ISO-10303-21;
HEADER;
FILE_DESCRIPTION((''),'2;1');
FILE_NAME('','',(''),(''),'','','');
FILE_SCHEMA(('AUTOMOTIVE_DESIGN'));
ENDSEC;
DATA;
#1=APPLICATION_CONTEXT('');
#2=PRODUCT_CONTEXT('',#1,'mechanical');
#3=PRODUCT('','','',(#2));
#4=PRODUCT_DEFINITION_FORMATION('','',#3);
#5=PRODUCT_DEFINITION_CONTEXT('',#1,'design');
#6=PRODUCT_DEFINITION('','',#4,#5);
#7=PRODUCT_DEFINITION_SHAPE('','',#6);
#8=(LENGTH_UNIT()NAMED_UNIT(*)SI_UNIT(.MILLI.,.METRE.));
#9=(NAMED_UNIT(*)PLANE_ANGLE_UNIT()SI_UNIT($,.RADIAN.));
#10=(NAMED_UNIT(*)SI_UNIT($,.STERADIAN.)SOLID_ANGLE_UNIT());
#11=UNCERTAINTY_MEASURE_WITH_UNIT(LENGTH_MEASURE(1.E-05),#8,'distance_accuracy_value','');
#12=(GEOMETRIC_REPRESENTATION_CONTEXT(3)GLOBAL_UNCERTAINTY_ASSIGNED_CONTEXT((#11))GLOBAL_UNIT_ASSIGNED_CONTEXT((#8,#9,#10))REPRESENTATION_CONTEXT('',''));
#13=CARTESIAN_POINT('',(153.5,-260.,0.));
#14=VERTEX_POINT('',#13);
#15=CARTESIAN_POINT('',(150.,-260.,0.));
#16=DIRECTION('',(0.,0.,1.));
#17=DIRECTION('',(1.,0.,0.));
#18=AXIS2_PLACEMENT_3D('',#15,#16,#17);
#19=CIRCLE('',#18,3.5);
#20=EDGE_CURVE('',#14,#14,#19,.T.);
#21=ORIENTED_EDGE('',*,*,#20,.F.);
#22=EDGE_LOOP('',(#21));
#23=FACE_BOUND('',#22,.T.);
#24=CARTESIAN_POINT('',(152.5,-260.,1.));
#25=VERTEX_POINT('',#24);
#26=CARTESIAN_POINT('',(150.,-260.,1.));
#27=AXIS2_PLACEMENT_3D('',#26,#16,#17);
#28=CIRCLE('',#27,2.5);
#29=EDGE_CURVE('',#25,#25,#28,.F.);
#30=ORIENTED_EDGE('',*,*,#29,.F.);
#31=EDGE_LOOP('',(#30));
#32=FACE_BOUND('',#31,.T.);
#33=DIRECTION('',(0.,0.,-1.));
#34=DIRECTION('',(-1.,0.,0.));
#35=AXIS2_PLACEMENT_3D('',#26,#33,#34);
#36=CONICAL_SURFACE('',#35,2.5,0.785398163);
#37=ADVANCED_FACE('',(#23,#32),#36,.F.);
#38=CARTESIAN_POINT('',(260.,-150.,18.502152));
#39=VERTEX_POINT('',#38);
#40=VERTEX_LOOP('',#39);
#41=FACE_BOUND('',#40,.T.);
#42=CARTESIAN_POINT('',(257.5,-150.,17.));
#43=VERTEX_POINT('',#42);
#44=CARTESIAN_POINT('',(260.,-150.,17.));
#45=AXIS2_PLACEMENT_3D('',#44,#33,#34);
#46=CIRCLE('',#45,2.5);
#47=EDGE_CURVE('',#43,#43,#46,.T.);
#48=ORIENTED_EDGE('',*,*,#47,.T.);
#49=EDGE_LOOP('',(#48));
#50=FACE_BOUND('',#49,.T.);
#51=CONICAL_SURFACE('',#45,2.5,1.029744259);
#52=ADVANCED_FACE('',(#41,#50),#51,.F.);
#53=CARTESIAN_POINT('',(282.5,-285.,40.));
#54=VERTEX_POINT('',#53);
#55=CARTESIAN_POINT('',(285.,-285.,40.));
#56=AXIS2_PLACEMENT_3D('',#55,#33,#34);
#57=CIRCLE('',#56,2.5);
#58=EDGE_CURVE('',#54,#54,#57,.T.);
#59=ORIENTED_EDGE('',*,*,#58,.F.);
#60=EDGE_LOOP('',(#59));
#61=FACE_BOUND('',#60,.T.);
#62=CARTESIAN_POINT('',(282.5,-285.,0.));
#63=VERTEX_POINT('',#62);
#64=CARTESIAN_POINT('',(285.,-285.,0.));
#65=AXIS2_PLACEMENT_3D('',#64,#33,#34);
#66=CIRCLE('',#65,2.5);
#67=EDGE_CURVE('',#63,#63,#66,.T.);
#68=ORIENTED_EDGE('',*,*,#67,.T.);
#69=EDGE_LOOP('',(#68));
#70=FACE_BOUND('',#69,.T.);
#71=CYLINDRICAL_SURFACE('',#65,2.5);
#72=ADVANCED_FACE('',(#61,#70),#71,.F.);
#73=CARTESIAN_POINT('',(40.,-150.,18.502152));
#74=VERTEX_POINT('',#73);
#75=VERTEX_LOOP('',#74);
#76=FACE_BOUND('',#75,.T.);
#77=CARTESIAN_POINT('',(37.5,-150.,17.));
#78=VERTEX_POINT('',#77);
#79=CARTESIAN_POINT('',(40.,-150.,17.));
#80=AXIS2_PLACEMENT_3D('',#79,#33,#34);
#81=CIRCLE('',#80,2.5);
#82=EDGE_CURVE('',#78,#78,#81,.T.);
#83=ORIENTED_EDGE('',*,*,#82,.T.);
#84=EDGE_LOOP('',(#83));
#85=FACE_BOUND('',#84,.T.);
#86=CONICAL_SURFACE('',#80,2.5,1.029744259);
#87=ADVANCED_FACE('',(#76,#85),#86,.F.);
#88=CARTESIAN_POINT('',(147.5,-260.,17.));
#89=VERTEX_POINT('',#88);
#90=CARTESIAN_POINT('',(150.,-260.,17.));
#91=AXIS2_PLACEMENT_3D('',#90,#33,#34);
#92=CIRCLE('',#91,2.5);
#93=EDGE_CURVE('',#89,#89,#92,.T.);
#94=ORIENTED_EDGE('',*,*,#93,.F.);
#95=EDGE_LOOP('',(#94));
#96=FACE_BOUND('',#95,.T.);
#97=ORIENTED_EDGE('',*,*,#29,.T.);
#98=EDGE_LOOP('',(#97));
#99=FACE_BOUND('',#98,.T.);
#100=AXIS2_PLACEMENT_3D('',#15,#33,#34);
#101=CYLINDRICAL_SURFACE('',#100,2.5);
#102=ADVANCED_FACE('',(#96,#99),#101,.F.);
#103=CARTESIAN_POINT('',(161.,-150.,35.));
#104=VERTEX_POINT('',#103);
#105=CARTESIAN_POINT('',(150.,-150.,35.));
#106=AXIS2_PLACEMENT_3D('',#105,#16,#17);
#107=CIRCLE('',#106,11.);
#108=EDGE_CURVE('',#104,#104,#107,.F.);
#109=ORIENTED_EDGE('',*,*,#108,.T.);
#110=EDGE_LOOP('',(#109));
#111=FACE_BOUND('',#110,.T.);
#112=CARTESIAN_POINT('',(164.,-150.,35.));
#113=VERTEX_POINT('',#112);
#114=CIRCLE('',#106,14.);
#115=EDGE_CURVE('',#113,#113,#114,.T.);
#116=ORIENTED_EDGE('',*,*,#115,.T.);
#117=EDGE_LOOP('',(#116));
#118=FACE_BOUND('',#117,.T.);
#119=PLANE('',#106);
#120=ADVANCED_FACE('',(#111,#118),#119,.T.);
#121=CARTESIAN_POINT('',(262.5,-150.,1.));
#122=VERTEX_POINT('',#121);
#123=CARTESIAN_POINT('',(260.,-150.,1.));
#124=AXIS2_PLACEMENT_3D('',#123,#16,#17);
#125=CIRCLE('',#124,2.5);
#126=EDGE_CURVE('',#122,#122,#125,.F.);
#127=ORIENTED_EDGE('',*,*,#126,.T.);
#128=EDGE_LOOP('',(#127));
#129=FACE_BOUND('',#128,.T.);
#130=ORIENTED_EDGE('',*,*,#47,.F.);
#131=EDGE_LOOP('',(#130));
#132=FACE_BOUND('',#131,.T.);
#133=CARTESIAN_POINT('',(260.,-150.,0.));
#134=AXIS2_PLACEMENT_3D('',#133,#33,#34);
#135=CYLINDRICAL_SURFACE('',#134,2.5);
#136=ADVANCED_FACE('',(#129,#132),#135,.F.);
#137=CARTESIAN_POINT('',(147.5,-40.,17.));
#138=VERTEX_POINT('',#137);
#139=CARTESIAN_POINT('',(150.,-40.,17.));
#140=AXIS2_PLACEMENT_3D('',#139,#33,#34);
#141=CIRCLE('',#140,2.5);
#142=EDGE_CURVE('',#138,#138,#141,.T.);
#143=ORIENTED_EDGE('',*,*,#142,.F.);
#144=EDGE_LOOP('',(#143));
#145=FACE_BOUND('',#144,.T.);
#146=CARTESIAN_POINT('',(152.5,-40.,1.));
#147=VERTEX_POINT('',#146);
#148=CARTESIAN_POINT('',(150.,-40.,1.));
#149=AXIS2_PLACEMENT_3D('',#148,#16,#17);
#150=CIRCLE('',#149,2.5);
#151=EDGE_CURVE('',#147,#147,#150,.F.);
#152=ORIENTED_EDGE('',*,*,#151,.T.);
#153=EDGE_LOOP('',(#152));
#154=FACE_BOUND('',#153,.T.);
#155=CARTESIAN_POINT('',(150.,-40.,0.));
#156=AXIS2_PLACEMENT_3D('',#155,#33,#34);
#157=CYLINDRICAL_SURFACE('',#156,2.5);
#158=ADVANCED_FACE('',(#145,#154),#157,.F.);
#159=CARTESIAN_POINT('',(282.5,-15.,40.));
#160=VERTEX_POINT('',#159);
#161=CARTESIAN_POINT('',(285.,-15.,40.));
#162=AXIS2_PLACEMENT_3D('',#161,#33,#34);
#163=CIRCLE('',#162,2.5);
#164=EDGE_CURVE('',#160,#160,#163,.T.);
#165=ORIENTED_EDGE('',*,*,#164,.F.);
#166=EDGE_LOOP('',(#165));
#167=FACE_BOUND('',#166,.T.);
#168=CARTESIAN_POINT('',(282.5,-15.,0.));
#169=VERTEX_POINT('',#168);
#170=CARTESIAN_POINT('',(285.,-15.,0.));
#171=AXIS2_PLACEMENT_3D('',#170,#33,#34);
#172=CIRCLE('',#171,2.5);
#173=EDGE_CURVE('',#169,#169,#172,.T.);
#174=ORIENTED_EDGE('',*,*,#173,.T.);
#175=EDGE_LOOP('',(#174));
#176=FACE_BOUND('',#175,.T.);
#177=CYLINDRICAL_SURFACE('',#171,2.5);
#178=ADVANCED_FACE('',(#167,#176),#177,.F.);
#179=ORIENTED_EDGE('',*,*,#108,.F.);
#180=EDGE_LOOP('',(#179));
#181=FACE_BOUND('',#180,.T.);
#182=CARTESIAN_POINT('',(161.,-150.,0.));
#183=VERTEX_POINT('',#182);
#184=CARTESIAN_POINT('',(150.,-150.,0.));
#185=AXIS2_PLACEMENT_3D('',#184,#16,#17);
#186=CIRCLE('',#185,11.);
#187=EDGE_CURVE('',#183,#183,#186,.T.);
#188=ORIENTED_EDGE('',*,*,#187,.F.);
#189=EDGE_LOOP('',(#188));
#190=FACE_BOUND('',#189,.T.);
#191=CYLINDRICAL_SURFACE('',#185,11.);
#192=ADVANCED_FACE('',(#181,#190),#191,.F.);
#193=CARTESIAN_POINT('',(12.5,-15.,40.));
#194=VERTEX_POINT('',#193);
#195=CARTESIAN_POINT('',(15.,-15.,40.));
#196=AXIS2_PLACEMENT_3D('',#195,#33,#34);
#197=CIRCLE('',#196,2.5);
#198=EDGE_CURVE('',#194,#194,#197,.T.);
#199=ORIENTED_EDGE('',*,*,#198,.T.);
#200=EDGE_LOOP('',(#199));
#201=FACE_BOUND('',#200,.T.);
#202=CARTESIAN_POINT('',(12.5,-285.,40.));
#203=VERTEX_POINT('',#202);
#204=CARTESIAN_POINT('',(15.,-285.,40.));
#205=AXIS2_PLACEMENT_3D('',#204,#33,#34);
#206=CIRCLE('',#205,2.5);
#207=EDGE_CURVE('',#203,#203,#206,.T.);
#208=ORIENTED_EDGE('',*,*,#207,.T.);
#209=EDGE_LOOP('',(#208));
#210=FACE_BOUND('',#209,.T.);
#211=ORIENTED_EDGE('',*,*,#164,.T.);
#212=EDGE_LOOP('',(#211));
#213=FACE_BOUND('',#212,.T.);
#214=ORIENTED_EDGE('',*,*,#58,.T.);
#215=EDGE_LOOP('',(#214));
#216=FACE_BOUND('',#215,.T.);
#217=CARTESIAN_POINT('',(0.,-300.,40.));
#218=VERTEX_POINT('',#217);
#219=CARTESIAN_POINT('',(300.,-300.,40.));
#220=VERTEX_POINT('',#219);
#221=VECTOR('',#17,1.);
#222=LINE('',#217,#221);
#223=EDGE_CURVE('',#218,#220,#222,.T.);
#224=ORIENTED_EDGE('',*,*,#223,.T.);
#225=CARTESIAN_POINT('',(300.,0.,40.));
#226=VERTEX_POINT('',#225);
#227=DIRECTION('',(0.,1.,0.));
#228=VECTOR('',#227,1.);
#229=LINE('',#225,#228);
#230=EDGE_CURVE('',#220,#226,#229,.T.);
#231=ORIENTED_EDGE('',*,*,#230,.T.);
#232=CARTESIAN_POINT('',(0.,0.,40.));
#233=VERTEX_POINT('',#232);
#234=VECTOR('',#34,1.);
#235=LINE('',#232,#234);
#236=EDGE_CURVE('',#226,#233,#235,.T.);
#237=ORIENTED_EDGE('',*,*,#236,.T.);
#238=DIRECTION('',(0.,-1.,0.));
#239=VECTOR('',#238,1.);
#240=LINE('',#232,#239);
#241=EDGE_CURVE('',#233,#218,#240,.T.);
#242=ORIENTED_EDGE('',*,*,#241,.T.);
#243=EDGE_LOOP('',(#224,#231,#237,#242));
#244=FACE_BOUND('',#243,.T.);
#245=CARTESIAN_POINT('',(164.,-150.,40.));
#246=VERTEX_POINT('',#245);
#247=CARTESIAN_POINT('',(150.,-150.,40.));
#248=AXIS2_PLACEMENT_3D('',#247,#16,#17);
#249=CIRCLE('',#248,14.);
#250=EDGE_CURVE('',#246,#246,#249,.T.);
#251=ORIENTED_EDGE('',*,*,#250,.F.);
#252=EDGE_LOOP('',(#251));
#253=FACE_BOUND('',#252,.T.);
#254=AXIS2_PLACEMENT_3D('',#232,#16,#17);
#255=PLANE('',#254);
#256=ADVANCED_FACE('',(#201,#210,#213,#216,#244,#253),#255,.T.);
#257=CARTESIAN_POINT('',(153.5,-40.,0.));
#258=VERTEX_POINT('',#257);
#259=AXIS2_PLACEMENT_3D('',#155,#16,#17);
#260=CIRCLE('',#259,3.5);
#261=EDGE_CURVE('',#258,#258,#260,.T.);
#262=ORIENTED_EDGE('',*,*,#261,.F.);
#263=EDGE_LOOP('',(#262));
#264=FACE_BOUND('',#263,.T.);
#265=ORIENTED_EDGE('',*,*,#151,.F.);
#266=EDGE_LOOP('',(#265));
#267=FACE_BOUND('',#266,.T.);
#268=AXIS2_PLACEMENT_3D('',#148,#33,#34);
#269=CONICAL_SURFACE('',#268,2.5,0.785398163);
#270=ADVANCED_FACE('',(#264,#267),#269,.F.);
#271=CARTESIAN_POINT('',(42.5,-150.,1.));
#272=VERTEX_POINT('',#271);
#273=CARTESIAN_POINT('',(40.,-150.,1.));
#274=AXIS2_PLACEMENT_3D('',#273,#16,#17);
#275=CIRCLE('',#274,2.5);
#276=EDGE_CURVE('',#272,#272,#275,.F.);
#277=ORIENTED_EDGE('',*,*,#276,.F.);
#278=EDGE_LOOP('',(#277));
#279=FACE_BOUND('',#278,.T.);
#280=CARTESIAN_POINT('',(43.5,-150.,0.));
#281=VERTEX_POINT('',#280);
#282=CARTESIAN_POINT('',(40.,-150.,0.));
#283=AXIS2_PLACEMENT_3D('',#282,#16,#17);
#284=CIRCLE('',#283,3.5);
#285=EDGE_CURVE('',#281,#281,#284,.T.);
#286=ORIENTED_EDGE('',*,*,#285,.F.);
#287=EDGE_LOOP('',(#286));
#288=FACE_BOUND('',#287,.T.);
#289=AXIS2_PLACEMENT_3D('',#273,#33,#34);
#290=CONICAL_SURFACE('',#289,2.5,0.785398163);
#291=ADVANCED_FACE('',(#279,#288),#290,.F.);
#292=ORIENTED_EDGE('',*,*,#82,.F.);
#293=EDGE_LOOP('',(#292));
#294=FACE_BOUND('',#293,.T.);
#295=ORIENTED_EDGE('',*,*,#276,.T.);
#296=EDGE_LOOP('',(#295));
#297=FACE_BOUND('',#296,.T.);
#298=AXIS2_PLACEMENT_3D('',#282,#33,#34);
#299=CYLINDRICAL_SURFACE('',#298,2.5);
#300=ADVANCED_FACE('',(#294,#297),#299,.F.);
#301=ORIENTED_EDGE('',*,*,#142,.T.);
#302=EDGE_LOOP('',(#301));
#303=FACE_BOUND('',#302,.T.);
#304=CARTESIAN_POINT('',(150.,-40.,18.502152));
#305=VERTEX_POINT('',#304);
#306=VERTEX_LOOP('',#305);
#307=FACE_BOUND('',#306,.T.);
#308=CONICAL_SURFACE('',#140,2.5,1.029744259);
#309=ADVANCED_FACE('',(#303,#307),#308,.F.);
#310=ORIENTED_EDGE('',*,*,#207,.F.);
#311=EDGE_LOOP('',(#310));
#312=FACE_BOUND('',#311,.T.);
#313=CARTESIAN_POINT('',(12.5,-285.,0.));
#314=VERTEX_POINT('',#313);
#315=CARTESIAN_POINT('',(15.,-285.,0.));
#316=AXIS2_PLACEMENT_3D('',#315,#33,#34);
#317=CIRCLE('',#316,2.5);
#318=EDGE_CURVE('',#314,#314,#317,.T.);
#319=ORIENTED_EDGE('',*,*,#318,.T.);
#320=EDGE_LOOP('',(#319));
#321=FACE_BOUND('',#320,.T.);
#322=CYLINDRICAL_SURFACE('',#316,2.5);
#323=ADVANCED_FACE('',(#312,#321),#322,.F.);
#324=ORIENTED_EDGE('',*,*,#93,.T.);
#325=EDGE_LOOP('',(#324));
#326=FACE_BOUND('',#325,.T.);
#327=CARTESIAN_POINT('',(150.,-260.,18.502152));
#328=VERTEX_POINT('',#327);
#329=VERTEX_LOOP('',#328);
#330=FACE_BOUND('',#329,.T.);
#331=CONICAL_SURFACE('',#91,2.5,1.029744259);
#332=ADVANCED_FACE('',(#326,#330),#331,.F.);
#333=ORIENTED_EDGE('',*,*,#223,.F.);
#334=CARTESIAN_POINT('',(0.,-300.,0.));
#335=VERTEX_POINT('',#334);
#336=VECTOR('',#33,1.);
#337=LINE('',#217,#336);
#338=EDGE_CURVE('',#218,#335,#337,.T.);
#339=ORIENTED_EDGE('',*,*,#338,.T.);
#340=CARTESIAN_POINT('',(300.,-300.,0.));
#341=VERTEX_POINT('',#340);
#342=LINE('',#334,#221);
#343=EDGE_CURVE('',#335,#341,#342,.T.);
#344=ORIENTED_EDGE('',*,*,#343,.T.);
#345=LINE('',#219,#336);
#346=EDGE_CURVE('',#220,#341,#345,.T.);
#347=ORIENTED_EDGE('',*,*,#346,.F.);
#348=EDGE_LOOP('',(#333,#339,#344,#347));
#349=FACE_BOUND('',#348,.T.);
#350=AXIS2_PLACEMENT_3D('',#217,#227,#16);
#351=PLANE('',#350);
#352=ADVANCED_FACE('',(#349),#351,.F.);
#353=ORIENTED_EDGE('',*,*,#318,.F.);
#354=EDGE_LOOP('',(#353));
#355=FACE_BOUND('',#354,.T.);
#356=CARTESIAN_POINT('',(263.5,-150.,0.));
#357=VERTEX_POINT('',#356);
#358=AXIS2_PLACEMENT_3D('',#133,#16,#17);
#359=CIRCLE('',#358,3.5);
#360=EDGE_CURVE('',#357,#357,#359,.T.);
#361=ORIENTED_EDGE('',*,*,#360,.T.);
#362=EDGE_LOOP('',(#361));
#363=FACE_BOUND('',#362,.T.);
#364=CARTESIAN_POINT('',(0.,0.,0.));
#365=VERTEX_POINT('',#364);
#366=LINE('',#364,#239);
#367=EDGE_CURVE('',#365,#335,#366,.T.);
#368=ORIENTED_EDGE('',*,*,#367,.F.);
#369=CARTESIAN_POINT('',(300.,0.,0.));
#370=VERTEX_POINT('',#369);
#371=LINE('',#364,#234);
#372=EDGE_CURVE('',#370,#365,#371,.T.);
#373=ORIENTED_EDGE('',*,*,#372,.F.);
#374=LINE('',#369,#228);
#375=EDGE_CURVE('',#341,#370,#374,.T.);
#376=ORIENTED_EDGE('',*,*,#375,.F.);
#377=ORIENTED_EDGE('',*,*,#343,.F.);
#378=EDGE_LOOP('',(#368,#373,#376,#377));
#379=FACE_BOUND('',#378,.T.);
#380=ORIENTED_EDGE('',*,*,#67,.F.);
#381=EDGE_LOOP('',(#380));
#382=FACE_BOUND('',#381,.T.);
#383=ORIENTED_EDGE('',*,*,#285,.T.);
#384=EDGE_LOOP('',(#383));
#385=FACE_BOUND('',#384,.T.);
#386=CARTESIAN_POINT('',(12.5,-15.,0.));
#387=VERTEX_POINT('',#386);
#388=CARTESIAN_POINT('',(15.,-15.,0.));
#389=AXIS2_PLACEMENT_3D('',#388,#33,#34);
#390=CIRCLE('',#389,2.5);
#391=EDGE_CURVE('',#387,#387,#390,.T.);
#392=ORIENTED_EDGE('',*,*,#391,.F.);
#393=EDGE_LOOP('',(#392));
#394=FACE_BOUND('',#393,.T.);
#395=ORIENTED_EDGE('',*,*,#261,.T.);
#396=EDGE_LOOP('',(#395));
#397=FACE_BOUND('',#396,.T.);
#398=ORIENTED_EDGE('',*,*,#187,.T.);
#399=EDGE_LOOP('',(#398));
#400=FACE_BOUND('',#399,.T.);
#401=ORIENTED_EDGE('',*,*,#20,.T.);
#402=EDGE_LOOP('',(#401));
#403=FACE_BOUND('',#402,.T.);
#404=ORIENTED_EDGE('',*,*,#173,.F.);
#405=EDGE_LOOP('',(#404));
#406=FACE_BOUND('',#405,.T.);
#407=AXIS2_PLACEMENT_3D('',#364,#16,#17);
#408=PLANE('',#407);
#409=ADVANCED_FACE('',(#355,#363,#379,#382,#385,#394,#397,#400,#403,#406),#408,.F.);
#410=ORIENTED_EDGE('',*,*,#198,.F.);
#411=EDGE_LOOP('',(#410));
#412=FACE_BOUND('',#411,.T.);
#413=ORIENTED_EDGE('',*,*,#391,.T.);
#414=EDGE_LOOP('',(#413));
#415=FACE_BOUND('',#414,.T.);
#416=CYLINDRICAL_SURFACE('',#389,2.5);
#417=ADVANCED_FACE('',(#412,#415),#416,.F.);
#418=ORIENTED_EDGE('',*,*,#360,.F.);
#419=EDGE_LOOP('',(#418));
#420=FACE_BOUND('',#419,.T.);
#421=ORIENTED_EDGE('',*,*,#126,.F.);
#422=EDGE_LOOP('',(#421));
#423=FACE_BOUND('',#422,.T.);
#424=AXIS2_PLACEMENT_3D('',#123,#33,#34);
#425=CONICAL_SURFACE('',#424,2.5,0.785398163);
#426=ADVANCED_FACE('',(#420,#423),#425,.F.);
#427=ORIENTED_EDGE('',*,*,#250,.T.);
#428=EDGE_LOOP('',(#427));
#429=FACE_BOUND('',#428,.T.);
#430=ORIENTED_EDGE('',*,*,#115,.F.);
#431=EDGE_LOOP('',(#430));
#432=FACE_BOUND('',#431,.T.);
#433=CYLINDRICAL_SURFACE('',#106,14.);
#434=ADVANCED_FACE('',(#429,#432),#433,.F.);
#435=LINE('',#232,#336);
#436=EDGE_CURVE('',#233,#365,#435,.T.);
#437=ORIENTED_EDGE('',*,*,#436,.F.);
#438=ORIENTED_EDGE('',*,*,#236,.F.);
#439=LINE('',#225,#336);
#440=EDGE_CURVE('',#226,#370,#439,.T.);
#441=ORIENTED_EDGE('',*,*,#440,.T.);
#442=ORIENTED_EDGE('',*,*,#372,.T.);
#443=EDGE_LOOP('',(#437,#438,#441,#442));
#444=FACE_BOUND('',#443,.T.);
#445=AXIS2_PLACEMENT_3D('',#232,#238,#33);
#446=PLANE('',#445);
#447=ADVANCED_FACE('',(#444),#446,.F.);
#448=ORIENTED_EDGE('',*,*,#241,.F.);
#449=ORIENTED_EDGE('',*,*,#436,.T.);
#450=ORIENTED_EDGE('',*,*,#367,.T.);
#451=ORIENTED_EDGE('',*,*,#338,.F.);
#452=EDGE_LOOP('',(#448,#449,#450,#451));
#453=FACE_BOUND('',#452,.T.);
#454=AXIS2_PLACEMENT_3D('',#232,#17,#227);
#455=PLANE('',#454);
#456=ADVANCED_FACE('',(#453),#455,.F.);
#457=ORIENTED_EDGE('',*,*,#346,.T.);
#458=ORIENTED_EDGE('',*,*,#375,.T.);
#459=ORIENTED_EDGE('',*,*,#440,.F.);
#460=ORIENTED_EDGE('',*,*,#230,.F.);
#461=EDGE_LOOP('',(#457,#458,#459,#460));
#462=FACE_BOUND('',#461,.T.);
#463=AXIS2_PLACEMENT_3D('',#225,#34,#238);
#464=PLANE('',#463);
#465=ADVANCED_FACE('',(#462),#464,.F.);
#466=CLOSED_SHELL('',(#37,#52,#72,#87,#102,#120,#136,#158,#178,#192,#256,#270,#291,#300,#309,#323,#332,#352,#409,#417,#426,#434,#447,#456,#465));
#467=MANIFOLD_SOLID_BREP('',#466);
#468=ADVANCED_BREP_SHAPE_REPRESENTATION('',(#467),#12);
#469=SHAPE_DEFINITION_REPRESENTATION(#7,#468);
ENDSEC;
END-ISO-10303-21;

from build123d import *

# Parameters (mm, degrees)
SKETCH_1_W          = 300
SKETCH_1_H          = 300
EXTRUDE_1_DEPTH     = 40
SKETCH_2_R          = 11
CUT_EXTRUDE_1_DEPTH = 427.145515053
M6X1_0_1_D          = 5
M6X1_0_1_DEPTH      = 17
M6X1_0_1_TIP        = 1.502151548
M6X1_0_2_D          = 5
M6X1_0_2_DEPTH      = 17
M6X1_0_2_TIP        = 1.502151548
M6X1_0_3_D          = 5
M6X1_0_3_DEPTH      = 17
M6X1_0_3_TIP        = 1.502151548
M6X1_0_4_D          = 5
M6X1_0_4_DEPTH      = 17
M6X1_0_4_TIP        = 1.502151548
SKETCH_3_R          = 14
CUT_EXTRUDE_2_DEPTH = 5
CHAMFER_1_SIZE      = 1
CHAMFER_2_SIZE      = 1
CHAMFER_3_SIZE      = 1
CHAMFER_4_SIZE      = 1
M6X1_0_5_D          = 5


with BuildPart() as part:
    # ｽｹｯﾁ1 → ﾎﾞｽ - 押し出し1 (new body)
    with BuildSketch(Plane.XY):
        with Locations((150, -150)):
            Rectangle(SKETCH_1_W, SKETCH_1_H)
    extrude(amount=EXTRUDE_1_DEPTH)

    # ｽｹｯﾁ2 → ｶｯﾄ - 押し出し1 (cut, through all)
    with BuildSketch(Plane.XY.offset(40)):
        with Locations((150, -150)):
            Circle(SKETCH_2_R)
    extrude(amount=-CUT_EXTRUDE_1_DEPTH, mode=Mode.SUBTRACT)

    # M6x1.0 ねじ穴1
    with Locations(Plane(origin=(0, 0, 0), x_dir=(-1, 0, 0), z_dir=(0, 0, -1))):
        with Locations((-260, -150)):
            Hole(M6X1_0_1_D / 2, depth=M6X1_0_1_DEPTH)
            with Locations((0, 0, -(M6X1_0_1_DEPTH + M6X1_0_1_TIP / 2))):  # 118° drill point
                Cone(0, M6X1_0_1_D / 2, M6X1_0_1_TIP, mode=Mode.SUBTRACT)

    # M6x1.0 ねじ穴2
    with Locations(Plane(origin=(0, 0, 0), x_dir=(-1, 0, 0), z_dir=(0, 0, -1))):
        with Locations((-150, -40)):
            Hole(M6X1_0_2_D / 2, depth=M6X1_0_2_DEPTH)
            with Locations((0, 0, -(M6X1_0_2_DEPTH + M6X1_0_2_TIP / 2))):  # 118° drill point
                Cone(0, M6X1_0_2_D / 2, M6X1_0_2_TIP, mode=Mode.SUBTRACT)

    # M6x1.0 ねじ穴3
    with Locations(Plane(origin=(40, -150, 0), x_dir=(-1, 0, 0), z_dir=(0, 0, -1))):
        with Locations((0, 0)):
            Hole(M6X1_0_3_D / 2, depth=M6X1_0_3_DEPTH)
            with Locations((0, 0, -(M6X1_0_3_DEPTH + M6X1_0_3_TIP / 2))):  # 118° drill point
                Cone(0, M6X1_0_3_D / 2, M6X1_0_3_TIP, mode=Mode.SUBTRACT)

    # M6x1.0 ねじ穴4
    with Locations(Plane(origin=(150, -260, 0), x_dir=(-1, 0, 0), z_dir=(0, 0, -1))):
        with Locations((0, 0)):
            Hole(M6X1_0_4_D / 2, depth=M6X1_0_4_DEPTH)
            with Locations((0, 0, -(M6X1_0_4_DEPTH + M6X1_0_4_TIP / 2))):  # 118° drill point
                Cone(0, M6X1_0_4_D / 2, M6X1_0_4_TIP, mode=Mode.SUBTRACT)

    # ｽｹｯﾁ3 → ｶｯﾄ - 押し出し2 (cut)
    with BuildSketch(Plane.XY.offset(40)):
        with Locations((150, -150)):
            Circle(SKETCH_3_R)
    extrude(amount=-CUT_EXTRUDE_2_DEPTH, mode=Mode.SUBTRACT)

    # 面取り1
    chamfer_1_edges = [part.edges().sort_by_distance(p)[0] for p in [
        (257.5, -150, 0),
    ]]
    chamfer(chamfer_1_edges, length=CHAMFER_1_SIZE)

    # 面取り2
    chamfer_2_edges = [part.edges().sort_by_distance(p)[0] for p in [
        (147.5, -40, 0),
    ]]
    chamfer(chamfer_2_edges, length=CHAMFER_2_SIZE)

    # 面取り3
    chamfer_3_edges = [part.edges().sort_by_distance(p)[0] for p in [
        (147.5, -260, 0),
    ]]
    chamfer(chamfer_3_edges, length=CHAMFER_3_SIZE)

    # 面取り4
    chamfer_4_edges = [part.edges().sort_by_distance(p)[0] for p in [
        (37.5, -150, 0),
    ]]
    chamfer(chamfer_4_edges, length=CHAMFER_4_SIZE)

    # M6x1.0 ねじ穴5 (through all)
    with Locations(Plane(origin=(285, -15, 0), x_dir=(-1, 0, 0), z_dir=(0, 0, -1))):
        with Locations((0, 0), (270, 0), (270, -270), (0, -270)):
            Hole(M6X1_0_5_D / 2)


solid = part.part
